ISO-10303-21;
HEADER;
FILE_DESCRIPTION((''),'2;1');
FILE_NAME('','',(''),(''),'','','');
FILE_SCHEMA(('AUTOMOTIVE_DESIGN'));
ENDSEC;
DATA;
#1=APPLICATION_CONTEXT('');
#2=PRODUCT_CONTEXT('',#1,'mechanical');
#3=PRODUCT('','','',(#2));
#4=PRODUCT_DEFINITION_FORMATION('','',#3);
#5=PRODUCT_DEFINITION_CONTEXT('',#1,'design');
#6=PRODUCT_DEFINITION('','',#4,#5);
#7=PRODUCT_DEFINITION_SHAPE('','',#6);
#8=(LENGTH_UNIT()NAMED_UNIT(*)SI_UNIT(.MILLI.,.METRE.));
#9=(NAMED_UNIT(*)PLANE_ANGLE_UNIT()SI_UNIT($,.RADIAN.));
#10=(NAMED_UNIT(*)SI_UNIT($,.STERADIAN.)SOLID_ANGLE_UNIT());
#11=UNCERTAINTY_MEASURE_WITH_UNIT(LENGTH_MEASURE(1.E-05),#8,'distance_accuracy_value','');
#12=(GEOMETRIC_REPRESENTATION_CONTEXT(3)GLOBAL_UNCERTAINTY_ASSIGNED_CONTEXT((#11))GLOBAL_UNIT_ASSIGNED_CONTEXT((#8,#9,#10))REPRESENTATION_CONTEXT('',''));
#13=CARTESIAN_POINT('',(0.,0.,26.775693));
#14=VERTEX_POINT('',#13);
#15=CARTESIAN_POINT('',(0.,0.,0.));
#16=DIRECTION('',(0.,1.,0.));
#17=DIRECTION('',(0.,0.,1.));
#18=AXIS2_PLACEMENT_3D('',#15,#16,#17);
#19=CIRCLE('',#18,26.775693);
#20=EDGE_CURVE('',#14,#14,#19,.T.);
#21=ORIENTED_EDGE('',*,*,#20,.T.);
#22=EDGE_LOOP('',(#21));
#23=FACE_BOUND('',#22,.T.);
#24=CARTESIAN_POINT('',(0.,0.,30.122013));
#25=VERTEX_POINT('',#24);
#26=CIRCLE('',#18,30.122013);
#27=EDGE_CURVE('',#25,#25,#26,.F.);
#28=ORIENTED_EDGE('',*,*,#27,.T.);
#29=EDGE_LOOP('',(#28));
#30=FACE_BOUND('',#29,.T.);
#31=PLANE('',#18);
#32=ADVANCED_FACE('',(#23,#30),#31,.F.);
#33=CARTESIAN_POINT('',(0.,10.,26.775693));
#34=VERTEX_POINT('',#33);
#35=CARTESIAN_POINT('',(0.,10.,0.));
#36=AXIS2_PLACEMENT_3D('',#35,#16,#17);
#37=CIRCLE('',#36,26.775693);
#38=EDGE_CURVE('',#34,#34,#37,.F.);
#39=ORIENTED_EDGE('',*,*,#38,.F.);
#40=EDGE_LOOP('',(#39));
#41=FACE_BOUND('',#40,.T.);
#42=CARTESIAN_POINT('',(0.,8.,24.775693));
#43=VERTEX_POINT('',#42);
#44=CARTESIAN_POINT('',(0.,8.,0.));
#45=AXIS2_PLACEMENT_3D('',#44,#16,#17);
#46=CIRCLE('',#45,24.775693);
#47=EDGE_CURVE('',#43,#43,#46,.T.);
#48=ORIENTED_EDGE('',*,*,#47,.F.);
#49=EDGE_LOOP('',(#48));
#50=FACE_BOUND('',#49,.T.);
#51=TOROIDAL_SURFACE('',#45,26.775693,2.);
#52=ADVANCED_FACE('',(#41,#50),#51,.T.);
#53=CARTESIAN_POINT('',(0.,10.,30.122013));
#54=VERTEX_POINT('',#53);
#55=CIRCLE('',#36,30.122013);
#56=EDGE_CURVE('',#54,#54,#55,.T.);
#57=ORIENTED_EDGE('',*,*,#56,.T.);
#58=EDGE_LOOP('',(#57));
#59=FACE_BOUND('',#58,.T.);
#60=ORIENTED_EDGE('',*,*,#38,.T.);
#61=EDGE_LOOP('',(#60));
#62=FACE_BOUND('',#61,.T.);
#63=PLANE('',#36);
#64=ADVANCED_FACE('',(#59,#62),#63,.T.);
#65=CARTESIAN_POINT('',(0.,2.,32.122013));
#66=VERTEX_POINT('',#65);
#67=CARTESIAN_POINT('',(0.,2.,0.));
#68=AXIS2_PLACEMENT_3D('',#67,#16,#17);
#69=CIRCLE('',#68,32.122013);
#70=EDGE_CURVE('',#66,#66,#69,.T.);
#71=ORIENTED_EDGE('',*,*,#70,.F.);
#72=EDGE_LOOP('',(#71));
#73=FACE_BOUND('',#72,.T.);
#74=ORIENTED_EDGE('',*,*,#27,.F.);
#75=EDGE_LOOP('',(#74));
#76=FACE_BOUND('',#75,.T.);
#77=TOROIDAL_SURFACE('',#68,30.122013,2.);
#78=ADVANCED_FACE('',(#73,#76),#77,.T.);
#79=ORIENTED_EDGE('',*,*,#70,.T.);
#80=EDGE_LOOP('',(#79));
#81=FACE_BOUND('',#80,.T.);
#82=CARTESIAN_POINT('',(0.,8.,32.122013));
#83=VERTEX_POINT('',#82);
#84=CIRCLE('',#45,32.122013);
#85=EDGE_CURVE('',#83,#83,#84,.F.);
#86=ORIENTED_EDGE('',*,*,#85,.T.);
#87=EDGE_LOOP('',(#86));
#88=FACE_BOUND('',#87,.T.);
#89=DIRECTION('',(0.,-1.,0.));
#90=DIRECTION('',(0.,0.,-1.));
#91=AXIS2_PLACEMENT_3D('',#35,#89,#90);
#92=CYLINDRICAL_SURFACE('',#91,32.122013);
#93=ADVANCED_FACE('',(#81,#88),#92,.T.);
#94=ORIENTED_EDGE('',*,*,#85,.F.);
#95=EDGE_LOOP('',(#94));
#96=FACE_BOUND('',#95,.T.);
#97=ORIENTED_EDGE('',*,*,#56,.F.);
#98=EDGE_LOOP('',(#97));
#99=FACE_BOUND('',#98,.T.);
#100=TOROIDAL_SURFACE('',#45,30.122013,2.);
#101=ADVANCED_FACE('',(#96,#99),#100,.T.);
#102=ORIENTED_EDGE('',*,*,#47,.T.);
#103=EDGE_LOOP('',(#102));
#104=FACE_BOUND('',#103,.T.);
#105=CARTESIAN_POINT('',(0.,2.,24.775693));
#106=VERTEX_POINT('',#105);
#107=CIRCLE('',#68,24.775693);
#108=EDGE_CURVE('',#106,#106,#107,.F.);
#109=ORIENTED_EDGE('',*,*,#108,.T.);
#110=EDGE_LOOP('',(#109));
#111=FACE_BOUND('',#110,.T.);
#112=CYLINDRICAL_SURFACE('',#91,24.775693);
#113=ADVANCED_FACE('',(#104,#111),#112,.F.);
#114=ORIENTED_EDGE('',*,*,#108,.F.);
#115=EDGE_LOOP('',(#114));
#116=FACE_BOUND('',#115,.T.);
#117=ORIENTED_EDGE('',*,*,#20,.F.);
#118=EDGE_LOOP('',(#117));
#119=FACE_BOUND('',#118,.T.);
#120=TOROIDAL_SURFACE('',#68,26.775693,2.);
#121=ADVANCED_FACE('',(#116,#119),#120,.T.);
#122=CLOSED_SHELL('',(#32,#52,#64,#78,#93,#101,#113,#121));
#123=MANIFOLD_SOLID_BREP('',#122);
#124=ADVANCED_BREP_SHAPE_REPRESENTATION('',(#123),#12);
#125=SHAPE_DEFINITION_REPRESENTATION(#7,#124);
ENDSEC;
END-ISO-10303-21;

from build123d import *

# Parameters (mm, degrees)
SKETCH1_R      = 32.122013297
SKETCH1_R_2    = 24.775693006
EXTRUDE1_DEPTH = 10
FILLET1_R      = 2


with BuildPart() as part:
    # Sketch1 → Extrude1 (new body)
    with BuildSketch(Plane(origin=(0, 0, 0), x_dir=(1, 0, 0), z_dir=(0, 1, 0))):
        Circle(SKETCH1_R)
        Circle(SKETCH1_R_2, mode=Mode.SUBTRACT)
    extrude(amount=EXTRUDE1_DEPTH)

    # Fillet1
    fillet1_edges = [part.edges().sort_by_distance(p)[0] for p in [
        (-32.122013297, 0, 0),
        (-32.122013297, 10, 0),
        (-24.775693006, 0, 0),
        (-24.775693006, 10, 0),
    ]]
    fillet(fillet1_edges, radius=FILLET1_R)


solid = part.part
